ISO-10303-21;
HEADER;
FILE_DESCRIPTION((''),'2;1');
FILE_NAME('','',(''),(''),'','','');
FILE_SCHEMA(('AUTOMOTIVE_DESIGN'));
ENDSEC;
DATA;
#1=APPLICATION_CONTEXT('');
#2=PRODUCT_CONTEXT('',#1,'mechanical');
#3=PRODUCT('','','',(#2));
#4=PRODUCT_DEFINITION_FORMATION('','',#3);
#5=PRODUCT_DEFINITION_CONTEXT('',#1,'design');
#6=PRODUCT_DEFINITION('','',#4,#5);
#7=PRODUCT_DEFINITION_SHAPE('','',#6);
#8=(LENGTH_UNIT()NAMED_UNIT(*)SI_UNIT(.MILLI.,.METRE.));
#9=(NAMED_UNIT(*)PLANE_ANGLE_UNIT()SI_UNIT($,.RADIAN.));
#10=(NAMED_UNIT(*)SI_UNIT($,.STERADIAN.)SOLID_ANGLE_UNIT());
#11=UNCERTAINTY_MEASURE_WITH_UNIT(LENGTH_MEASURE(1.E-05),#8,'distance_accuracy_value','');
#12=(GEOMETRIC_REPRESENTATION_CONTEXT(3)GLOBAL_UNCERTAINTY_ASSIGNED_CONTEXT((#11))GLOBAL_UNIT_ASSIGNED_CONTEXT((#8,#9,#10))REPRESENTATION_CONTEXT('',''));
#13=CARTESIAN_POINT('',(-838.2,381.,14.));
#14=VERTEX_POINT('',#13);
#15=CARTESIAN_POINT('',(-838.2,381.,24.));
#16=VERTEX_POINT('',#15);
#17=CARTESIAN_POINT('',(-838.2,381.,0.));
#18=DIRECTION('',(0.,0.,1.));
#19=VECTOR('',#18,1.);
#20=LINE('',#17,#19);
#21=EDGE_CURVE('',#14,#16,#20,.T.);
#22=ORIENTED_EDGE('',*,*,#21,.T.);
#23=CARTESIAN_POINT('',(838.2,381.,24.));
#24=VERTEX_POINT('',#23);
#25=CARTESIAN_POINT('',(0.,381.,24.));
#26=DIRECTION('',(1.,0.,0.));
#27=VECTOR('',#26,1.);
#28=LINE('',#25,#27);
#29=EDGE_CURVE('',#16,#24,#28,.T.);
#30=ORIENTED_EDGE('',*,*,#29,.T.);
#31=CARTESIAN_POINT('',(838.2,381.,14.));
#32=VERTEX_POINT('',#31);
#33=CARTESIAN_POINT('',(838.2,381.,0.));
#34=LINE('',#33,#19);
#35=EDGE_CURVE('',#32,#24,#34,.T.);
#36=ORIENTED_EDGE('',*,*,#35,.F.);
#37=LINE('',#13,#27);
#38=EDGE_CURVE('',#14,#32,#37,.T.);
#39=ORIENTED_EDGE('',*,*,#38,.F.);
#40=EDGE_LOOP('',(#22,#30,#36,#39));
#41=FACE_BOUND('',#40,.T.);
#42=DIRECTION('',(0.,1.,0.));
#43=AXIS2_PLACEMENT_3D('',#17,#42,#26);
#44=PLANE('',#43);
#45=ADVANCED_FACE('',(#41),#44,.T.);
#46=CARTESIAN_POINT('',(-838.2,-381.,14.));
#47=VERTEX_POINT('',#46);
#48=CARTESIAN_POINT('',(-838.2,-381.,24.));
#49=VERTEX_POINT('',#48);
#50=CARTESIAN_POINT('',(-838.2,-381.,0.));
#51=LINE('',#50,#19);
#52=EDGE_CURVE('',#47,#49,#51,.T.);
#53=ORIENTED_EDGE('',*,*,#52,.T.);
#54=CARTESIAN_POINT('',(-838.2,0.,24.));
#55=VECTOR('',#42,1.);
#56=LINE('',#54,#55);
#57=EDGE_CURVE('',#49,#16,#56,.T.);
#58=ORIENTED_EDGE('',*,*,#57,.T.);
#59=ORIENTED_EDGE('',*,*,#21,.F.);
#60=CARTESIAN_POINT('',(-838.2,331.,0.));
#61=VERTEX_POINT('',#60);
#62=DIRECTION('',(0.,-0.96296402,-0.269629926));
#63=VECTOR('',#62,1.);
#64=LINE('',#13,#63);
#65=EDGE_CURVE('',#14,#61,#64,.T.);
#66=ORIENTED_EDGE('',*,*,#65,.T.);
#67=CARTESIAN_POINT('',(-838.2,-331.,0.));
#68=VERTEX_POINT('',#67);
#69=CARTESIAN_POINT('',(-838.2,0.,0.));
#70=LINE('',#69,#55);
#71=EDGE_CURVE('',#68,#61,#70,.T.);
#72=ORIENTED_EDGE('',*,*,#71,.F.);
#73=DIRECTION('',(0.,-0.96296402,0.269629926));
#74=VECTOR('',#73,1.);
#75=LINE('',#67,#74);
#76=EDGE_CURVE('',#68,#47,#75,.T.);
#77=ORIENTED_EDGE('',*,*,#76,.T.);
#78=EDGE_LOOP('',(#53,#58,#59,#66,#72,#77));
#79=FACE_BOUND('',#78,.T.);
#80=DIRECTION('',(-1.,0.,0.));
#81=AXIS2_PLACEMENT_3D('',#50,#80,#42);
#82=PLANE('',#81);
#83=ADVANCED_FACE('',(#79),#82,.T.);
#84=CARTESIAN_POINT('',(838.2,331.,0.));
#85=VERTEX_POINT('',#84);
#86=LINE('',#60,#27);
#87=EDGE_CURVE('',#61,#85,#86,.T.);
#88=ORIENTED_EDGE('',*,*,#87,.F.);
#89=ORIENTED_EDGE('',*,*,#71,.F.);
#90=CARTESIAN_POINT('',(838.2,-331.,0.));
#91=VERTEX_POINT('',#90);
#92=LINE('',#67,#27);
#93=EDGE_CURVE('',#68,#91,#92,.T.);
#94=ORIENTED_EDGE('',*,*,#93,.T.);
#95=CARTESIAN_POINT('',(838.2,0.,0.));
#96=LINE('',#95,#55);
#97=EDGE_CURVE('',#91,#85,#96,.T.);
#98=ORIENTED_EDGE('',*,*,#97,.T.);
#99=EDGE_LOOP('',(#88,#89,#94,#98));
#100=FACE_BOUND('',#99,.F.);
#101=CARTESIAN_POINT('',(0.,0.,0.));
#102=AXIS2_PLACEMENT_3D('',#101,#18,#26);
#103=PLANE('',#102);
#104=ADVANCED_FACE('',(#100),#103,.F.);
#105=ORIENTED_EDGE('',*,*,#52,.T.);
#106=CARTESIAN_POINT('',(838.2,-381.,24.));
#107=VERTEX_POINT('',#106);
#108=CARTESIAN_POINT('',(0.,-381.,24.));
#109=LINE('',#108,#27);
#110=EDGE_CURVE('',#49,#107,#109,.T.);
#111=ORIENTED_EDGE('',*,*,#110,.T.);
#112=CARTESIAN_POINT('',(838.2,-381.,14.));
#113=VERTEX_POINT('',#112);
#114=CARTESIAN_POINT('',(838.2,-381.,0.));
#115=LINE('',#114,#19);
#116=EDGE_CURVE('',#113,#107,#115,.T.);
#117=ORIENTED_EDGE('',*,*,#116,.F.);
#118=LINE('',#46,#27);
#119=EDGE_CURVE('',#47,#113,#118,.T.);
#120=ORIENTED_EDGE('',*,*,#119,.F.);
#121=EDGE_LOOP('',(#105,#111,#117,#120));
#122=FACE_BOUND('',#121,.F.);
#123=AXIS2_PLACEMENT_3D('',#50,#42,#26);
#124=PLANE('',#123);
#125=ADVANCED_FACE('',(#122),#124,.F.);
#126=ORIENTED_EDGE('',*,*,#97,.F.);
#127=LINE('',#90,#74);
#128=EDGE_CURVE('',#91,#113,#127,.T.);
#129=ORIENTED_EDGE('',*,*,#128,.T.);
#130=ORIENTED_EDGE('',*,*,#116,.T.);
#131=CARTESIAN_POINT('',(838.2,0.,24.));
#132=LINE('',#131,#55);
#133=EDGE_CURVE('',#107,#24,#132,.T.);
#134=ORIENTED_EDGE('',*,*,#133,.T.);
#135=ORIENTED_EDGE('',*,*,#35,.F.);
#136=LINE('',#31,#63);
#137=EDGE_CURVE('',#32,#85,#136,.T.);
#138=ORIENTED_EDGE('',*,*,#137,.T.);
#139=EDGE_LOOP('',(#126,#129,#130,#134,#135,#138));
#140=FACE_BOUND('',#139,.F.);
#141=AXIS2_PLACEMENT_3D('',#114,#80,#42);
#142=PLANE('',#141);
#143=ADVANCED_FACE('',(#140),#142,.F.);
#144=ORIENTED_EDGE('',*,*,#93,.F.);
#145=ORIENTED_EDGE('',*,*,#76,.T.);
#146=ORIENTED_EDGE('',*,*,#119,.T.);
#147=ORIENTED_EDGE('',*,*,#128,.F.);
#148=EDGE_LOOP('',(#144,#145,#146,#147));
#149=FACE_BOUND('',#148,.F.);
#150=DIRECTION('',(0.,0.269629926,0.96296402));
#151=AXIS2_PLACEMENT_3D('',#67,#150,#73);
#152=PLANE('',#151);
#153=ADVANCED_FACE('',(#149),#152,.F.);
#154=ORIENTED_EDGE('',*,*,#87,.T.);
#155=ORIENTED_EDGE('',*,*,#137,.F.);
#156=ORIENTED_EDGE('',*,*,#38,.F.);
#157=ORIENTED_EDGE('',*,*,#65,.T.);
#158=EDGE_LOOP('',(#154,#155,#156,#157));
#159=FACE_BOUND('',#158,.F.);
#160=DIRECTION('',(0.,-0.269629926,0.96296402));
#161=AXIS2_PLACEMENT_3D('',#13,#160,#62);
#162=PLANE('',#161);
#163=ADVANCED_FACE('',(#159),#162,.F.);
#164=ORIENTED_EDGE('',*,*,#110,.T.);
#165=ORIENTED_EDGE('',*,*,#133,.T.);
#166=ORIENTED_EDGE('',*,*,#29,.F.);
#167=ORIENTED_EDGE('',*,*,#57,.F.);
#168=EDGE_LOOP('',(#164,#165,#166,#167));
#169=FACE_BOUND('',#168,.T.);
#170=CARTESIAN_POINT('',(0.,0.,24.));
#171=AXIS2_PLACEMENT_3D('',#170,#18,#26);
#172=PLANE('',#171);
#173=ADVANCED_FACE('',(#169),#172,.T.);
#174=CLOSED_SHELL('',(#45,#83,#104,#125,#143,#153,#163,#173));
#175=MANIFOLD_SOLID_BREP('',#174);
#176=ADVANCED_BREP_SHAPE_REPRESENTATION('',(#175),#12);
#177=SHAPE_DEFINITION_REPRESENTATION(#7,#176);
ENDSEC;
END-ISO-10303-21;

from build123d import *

# Parameters (mm, degrees)
F0_W     = 1676.4
F0_H     = 762
F1_DEPTH = 24


with BuildPart() as f1:
    # F0 (on Top) → F1 (new body)
    with BuildSketch(Plane.XY):
        Rectangle(F0_W, F0_H)
    extrude(amount=F1_DEPTH)

    # F4: sweep along a path in F3
    with BuildLine(Plane(origin=(0, 0, 0), x_dir=(1, 0, 0), z_dir=(0, 0, -1))) as f4_path:
        Line((-838.2, 381), (838.2, 381))
    # F2 (on face) → F4 (sweep, cut)
    with BuildSketch(Plane.YZ.offset(838.2)):
        Polygon((381, 14), (331, 0), (381, 0), align=None)
        Polygon((-381, 0), (-331, 0), (-381, 14), align=None)
    sweep(path=f4_path.line, mode=Mode.SUBTRACT)


solid = f1.part
